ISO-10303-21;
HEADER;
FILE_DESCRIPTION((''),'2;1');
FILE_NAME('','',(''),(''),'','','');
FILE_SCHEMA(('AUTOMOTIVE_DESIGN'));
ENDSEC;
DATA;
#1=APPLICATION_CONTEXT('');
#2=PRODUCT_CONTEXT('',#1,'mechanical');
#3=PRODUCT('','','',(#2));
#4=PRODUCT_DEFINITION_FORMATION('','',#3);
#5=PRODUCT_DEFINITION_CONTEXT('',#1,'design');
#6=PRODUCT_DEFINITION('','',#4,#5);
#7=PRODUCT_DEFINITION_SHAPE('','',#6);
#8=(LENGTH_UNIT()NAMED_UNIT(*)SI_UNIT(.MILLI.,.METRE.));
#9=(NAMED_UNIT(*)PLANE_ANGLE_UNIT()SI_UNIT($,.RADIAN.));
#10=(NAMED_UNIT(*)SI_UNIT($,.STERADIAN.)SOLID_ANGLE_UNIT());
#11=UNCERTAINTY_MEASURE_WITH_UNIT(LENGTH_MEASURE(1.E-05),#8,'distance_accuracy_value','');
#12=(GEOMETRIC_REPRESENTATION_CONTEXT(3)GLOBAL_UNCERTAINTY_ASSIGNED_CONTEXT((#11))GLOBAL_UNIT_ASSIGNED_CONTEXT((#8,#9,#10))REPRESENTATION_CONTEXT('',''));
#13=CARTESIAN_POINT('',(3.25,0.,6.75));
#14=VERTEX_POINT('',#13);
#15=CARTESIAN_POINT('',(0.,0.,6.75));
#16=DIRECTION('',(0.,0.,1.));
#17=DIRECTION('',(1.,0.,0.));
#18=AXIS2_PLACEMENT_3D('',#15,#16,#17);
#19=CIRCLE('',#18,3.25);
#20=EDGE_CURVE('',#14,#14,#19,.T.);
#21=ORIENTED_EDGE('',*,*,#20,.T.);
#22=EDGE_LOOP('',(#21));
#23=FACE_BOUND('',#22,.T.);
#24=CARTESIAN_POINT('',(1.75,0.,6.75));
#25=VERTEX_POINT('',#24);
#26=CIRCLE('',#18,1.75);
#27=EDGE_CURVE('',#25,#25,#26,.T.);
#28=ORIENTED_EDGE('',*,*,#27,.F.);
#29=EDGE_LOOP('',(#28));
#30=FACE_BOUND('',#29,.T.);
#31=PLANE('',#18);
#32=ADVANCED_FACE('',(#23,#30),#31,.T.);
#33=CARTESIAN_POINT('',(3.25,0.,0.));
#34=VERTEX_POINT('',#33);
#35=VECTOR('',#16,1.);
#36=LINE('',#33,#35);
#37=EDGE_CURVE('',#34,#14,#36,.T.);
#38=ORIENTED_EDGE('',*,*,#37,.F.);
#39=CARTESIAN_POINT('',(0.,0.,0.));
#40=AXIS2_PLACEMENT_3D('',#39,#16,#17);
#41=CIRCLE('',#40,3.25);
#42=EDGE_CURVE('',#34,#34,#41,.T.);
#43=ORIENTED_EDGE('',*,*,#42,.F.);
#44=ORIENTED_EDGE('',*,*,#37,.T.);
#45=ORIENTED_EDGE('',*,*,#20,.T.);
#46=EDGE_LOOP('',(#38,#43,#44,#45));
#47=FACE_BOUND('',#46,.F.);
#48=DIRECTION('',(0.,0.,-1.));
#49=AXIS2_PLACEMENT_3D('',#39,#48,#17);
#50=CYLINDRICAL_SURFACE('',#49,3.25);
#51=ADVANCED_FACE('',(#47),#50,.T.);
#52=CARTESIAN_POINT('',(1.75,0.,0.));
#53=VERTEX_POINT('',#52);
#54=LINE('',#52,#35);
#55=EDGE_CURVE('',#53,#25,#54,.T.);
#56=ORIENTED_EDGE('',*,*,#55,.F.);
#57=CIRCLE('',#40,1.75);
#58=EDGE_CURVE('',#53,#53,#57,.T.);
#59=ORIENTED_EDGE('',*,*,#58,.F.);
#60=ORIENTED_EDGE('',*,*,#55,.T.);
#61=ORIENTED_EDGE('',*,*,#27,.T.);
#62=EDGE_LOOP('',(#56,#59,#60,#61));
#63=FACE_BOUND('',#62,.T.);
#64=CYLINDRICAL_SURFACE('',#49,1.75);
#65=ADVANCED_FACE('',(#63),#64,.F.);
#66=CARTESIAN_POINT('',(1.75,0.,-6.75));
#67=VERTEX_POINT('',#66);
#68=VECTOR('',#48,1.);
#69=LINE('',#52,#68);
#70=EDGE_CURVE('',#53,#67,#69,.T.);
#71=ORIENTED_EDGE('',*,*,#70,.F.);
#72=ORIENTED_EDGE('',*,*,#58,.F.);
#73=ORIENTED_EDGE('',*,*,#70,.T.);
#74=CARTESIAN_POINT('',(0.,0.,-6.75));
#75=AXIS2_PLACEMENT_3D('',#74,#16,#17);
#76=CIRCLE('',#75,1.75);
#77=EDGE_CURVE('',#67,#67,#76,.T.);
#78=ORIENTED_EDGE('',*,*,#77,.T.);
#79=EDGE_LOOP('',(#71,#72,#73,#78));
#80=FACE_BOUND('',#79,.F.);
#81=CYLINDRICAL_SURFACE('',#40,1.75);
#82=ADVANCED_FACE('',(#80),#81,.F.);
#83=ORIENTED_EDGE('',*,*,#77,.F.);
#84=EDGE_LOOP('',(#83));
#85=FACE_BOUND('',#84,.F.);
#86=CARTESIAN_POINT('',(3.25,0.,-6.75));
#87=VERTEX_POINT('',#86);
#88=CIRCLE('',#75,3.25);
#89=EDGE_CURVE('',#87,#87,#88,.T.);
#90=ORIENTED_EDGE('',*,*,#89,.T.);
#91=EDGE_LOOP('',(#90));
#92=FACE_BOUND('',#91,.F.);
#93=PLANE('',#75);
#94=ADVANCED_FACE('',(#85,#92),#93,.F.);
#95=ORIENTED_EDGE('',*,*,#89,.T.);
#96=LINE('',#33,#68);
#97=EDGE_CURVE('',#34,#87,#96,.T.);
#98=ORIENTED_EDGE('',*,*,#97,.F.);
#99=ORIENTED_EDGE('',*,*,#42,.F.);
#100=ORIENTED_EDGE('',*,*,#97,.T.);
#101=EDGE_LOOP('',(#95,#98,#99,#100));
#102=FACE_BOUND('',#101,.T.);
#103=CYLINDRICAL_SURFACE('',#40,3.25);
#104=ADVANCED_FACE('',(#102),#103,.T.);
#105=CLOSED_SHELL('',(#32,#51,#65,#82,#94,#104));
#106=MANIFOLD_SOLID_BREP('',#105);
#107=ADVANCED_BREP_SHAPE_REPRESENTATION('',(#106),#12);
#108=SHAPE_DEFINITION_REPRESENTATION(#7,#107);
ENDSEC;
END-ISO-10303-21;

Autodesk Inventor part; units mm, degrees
ref_plane "YZ Plane" through (0, 0, 0) normal (1, 0, 0) x (0, 1, 0)
ref_plane "XZ Plane" through (0, 0, 0) normal (0, 1, 0) x (-1, 0, 0)
ref_plane "XY Plane" through (0, 0, 0) normal (0, 0, 1) x (1, 0, 0)
sketch "Boceto39" plane through (0, 0, 0) normal (0, 0, 1) x (1, 0, 0)
  circle A0 centre (0, 0) radius 1.75
  circle A1 centre (0, 0) radius 3.25
  dimension "d373" = 3.5
  dimension "d374" = 6.5
  dimension "d377" = 1.5
extrude "Extrusión13" add sketch "Boceto39" along normal mid plane 13.5
properties part number "PP-I3D-0002A"
